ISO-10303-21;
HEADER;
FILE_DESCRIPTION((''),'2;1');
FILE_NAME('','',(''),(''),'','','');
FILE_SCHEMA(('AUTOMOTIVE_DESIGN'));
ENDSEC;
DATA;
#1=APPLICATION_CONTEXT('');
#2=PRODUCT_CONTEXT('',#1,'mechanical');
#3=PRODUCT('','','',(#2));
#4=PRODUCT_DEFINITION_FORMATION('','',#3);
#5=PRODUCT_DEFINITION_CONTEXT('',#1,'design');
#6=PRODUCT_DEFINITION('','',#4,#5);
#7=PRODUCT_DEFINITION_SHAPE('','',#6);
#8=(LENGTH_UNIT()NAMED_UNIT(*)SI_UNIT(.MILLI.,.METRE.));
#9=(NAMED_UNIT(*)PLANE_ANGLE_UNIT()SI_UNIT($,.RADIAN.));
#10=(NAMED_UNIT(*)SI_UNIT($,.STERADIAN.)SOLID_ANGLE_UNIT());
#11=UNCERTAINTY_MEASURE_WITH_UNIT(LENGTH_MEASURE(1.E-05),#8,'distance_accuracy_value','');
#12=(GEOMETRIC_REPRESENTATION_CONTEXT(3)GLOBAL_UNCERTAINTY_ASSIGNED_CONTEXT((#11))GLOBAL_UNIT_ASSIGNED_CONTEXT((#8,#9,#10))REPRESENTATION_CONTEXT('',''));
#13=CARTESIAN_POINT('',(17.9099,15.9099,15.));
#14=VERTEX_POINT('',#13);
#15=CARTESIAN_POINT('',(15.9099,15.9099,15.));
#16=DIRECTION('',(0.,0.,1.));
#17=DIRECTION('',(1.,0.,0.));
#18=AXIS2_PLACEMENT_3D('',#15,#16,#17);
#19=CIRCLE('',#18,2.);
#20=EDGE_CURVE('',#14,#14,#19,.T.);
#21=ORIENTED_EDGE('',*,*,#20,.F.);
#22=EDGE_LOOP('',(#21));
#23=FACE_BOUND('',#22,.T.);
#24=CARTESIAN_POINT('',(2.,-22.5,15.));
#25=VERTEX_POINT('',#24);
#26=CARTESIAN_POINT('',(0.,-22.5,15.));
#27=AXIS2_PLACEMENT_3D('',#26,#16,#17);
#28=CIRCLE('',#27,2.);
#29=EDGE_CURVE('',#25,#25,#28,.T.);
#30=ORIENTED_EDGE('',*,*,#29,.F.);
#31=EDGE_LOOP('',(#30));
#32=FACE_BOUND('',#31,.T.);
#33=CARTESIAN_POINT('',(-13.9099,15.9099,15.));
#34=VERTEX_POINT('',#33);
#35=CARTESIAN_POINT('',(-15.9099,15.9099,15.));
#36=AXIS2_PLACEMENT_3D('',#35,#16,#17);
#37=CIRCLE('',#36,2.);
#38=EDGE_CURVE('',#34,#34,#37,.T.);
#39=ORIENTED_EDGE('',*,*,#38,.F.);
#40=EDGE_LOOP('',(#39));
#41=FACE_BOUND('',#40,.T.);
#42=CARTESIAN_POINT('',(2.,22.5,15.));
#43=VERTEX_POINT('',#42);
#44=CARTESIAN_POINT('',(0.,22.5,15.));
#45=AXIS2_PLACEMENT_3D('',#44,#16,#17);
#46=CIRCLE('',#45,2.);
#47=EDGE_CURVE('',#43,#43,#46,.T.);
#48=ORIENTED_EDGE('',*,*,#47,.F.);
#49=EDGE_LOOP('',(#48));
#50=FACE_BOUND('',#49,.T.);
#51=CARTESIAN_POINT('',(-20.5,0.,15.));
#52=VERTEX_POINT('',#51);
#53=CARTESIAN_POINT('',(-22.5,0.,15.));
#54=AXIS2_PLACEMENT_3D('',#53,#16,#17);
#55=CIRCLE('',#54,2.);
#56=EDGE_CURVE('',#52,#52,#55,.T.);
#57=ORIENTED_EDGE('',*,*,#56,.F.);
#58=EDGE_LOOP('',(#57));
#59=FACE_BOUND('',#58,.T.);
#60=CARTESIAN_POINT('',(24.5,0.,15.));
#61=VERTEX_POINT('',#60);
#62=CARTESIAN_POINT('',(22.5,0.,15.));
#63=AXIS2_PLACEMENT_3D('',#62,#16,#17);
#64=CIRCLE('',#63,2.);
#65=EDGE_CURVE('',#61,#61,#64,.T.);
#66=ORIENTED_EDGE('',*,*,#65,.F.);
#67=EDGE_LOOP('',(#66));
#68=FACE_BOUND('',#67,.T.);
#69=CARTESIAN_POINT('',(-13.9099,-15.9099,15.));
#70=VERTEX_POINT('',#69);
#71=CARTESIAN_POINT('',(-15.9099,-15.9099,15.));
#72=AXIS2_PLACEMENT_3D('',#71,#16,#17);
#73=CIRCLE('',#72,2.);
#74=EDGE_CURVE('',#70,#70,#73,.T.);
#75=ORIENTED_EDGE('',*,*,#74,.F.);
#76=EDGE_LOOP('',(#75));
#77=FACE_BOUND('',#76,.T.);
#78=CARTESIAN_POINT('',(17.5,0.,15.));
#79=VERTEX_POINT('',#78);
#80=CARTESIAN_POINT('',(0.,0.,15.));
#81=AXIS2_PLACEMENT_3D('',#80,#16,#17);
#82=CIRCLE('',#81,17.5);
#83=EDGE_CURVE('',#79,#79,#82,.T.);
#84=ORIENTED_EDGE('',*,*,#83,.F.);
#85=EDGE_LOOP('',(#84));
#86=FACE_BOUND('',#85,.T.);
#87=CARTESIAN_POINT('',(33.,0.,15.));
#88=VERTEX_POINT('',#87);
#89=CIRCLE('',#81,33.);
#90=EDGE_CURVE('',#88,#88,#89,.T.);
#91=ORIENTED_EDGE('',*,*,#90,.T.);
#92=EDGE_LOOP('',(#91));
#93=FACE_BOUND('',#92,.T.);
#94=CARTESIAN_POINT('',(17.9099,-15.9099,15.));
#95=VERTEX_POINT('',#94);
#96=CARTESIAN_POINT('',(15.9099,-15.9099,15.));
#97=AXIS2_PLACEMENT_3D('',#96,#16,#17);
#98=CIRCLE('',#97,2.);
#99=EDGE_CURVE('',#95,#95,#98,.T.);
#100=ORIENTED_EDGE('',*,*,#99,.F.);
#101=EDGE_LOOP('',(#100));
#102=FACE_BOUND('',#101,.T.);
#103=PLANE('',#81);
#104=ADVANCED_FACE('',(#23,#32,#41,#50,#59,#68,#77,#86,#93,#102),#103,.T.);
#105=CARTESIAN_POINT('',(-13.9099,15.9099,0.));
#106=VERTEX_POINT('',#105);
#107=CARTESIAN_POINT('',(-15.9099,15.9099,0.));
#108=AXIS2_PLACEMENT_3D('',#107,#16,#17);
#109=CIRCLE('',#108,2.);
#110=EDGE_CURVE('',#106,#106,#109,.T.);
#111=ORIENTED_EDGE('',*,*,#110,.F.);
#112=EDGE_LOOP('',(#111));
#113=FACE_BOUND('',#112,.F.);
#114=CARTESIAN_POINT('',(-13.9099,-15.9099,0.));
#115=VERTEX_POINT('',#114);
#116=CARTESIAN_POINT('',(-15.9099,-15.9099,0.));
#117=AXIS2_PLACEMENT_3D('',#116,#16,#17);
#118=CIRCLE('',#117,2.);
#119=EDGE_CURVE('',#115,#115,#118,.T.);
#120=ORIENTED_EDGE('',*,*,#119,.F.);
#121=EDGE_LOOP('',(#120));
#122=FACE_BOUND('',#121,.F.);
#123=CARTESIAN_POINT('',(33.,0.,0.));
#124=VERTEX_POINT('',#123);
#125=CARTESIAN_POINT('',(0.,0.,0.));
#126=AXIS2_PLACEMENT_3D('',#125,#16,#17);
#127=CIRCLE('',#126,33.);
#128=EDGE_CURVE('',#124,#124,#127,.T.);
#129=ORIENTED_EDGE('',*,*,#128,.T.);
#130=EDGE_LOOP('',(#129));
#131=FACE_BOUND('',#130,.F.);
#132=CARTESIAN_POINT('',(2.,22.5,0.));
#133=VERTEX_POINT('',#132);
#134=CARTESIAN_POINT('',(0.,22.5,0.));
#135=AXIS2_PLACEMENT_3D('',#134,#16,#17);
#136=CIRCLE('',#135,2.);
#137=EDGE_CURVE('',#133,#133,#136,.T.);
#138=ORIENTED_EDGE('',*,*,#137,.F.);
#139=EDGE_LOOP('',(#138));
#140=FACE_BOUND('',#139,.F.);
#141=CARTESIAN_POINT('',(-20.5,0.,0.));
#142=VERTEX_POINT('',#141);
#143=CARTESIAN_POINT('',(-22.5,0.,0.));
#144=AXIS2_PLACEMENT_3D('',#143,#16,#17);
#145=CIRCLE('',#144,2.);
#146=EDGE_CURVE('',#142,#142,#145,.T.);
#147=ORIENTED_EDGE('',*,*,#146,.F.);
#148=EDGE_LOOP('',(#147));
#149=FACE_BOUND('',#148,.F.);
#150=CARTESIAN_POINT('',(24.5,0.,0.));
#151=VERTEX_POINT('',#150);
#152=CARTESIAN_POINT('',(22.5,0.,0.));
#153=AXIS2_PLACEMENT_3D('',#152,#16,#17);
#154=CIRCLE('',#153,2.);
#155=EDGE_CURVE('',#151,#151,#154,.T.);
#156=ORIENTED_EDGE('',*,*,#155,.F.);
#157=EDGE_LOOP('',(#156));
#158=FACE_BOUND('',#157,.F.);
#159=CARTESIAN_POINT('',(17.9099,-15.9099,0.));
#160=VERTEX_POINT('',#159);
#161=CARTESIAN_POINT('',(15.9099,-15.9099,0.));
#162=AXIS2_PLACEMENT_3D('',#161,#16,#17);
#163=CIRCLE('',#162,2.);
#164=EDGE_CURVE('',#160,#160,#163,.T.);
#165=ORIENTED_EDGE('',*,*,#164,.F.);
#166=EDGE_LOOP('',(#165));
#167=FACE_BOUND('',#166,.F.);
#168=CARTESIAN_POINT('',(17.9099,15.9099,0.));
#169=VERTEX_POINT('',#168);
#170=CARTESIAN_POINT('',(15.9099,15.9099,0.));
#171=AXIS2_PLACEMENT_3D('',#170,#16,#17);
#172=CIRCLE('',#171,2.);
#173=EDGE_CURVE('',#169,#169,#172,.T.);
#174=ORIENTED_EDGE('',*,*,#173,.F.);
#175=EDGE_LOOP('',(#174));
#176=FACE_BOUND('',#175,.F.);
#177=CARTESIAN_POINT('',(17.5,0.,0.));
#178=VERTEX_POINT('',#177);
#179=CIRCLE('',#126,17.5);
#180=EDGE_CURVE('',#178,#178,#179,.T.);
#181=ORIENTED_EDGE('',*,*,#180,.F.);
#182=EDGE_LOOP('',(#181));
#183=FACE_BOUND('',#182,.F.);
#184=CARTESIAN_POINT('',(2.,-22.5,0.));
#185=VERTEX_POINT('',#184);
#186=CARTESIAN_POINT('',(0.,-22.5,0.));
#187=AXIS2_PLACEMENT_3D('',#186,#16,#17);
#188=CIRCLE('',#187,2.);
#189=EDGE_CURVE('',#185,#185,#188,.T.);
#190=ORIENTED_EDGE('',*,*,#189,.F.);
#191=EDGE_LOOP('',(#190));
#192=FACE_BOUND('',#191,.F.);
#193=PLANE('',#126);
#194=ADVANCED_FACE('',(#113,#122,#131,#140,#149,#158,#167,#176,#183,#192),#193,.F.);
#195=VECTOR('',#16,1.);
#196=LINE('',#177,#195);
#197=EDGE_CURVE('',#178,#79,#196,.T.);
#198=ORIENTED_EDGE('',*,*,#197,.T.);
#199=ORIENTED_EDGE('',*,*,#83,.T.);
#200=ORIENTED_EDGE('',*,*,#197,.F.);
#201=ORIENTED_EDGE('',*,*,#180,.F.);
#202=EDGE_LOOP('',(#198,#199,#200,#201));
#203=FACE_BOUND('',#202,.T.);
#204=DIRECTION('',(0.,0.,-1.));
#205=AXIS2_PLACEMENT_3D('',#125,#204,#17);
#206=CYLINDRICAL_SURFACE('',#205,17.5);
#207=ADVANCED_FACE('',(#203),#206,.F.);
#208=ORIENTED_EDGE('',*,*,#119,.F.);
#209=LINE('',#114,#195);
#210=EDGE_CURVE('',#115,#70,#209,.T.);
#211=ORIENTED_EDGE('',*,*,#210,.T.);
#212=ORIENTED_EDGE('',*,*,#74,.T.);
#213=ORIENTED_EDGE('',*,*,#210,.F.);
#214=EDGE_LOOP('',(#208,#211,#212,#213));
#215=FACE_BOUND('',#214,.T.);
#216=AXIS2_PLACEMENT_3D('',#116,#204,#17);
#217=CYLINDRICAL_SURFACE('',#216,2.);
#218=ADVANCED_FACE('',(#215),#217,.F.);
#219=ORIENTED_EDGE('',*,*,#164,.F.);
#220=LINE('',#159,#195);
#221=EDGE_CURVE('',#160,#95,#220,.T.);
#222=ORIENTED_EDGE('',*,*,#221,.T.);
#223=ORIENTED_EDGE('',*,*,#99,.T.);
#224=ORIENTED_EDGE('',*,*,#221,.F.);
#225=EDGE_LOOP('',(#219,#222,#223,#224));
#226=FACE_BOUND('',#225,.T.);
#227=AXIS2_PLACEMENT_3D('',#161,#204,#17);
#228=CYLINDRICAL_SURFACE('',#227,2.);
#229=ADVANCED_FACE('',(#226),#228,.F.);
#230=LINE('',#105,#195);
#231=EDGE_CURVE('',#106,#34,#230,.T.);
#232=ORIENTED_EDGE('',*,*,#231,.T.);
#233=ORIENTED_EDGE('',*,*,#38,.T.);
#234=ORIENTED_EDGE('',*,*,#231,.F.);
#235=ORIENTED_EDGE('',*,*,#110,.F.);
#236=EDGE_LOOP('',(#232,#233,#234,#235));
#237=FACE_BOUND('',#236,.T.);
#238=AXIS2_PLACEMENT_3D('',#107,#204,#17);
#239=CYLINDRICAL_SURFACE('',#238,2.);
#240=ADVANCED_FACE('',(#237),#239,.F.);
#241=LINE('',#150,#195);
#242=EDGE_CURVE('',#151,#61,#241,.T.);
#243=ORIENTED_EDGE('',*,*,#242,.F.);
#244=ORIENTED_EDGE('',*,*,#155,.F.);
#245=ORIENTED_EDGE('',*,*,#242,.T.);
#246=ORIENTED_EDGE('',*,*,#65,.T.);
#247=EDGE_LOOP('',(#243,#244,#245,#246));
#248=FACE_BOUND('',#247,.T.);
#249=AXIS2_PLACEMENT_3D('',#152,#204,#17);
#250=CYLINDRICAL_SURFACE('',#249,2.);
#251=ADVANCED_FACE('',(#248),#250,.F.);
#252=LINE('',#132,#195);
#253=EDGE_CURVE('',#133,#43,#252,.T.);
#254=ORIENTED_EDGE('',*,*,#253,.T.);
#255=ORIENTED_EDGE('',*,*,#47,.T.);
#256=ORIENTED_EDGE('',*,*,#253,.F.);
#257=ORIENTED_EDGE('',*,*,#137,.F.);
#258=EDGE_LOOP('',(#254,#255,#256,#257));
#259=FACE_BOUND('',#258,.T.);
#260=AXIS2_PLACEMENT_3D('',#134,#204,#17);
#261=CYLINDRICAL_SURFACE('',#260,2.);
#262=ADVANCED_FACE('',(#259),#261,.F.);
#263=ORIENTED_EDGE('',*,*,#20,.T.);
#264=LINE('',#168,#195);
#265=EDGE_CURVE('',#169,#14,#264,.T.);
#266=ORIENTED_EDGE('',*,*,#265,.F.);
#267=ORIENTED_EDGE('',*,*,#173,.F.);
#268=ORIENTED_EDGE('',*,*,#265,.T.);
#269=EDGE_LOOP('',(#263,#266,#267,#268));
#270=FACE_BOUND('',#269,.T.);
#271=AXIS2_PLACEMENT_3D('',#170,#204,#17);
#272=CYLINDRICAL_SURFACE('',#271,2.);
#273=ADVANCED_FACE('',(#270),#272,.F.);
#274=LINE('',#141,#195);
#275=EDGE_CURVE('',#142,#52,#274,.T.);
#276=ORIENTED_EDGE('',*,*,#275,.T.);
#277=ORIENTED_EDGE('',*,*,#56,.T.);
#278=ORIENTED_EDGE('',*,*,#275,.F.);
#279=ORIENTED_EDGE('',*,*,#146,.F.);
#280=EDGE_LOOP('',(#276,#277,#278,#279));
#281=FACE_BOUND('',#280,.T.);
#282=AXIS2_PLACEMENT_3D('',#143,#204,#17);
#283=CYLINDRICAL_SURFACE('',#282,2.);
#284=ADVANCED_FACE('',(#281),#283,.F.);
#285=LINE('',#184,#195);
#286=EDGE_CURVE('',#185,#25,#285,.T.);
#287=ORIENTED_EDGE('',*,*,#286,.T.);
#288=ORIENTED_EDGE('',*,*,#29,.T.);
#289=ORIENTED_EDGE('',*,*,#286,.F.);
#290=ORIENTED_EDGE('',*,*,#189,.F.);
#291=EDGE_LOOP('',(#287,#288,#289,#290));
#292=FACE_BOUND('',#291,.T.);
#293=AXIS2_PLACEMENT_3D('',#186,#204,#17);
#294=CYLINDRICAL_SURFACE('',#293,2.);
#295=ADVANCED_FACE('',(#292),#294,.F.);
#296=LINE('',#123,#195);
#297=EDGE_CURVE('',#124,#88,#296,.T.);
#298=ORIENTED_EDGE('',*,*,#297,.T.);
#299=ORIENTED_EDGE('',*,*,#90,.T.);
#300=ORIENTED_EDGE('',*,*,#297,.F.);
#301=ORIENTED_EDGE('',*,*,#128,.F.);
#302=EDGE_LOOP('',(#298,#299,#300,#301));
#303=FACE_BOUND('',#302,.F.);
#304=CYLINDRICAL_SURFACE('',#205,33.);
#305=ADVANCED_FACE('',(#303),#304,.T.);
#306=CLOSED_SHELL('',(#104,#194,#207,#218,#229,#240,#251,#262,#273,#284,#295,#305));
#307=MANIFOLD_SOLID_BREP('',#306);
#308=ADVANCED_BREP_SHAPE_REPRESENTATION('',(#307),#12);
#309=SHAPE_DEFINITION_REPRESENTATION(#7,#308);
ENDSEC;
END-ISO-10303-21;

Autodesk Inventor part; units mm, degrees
ref_plane "YZ Plane" through (0, 0, 0) normal (1, 0, 0) x (0, 1, 0)
ref_plane "XZ Plane" through (0, 0, 0) normal (0, 1, 0) x (-1, 0, 0)
ref_plane "XY Plane" through (0, 0, 0) normal (0, 0, 1) x (1, 0, 0)
sketch "Sketch1" plane through (0, 0, 0) normal (0, 0, 1) x (1, 0, 0)
  circle A0 centre (0, 0) radius 33
  circle A1 centre (0, 0) radius 17.5
  circle A2 centre (-22.5, 0) radius 2
  circle A3 centre (-15.9099, -15.9099) radius 2
  circle A4 centre (0, -22.5) radius 2
  circle A5 centre (15.9099, -15.9099) radius 2
  circle A6 centre (22.5, 0) radius 2
  circle A7 centre (15.9099, 15.9099) radius 2
  circle A8 centre (0, 22.5) radius 2
  circle A9 centre (-15.9099, 15.9099) radius 2
  dimension "d0" = 66
  dimension "d1" = 35
  dimension "d2" = 4
  dimension "d3" = 22.5
  dimension "d6" = 360
extrude "Extrusion1" add sketch "Sketch1" along normal blind 15
properties part number "Slewing B" material "Aluminum 6061"
